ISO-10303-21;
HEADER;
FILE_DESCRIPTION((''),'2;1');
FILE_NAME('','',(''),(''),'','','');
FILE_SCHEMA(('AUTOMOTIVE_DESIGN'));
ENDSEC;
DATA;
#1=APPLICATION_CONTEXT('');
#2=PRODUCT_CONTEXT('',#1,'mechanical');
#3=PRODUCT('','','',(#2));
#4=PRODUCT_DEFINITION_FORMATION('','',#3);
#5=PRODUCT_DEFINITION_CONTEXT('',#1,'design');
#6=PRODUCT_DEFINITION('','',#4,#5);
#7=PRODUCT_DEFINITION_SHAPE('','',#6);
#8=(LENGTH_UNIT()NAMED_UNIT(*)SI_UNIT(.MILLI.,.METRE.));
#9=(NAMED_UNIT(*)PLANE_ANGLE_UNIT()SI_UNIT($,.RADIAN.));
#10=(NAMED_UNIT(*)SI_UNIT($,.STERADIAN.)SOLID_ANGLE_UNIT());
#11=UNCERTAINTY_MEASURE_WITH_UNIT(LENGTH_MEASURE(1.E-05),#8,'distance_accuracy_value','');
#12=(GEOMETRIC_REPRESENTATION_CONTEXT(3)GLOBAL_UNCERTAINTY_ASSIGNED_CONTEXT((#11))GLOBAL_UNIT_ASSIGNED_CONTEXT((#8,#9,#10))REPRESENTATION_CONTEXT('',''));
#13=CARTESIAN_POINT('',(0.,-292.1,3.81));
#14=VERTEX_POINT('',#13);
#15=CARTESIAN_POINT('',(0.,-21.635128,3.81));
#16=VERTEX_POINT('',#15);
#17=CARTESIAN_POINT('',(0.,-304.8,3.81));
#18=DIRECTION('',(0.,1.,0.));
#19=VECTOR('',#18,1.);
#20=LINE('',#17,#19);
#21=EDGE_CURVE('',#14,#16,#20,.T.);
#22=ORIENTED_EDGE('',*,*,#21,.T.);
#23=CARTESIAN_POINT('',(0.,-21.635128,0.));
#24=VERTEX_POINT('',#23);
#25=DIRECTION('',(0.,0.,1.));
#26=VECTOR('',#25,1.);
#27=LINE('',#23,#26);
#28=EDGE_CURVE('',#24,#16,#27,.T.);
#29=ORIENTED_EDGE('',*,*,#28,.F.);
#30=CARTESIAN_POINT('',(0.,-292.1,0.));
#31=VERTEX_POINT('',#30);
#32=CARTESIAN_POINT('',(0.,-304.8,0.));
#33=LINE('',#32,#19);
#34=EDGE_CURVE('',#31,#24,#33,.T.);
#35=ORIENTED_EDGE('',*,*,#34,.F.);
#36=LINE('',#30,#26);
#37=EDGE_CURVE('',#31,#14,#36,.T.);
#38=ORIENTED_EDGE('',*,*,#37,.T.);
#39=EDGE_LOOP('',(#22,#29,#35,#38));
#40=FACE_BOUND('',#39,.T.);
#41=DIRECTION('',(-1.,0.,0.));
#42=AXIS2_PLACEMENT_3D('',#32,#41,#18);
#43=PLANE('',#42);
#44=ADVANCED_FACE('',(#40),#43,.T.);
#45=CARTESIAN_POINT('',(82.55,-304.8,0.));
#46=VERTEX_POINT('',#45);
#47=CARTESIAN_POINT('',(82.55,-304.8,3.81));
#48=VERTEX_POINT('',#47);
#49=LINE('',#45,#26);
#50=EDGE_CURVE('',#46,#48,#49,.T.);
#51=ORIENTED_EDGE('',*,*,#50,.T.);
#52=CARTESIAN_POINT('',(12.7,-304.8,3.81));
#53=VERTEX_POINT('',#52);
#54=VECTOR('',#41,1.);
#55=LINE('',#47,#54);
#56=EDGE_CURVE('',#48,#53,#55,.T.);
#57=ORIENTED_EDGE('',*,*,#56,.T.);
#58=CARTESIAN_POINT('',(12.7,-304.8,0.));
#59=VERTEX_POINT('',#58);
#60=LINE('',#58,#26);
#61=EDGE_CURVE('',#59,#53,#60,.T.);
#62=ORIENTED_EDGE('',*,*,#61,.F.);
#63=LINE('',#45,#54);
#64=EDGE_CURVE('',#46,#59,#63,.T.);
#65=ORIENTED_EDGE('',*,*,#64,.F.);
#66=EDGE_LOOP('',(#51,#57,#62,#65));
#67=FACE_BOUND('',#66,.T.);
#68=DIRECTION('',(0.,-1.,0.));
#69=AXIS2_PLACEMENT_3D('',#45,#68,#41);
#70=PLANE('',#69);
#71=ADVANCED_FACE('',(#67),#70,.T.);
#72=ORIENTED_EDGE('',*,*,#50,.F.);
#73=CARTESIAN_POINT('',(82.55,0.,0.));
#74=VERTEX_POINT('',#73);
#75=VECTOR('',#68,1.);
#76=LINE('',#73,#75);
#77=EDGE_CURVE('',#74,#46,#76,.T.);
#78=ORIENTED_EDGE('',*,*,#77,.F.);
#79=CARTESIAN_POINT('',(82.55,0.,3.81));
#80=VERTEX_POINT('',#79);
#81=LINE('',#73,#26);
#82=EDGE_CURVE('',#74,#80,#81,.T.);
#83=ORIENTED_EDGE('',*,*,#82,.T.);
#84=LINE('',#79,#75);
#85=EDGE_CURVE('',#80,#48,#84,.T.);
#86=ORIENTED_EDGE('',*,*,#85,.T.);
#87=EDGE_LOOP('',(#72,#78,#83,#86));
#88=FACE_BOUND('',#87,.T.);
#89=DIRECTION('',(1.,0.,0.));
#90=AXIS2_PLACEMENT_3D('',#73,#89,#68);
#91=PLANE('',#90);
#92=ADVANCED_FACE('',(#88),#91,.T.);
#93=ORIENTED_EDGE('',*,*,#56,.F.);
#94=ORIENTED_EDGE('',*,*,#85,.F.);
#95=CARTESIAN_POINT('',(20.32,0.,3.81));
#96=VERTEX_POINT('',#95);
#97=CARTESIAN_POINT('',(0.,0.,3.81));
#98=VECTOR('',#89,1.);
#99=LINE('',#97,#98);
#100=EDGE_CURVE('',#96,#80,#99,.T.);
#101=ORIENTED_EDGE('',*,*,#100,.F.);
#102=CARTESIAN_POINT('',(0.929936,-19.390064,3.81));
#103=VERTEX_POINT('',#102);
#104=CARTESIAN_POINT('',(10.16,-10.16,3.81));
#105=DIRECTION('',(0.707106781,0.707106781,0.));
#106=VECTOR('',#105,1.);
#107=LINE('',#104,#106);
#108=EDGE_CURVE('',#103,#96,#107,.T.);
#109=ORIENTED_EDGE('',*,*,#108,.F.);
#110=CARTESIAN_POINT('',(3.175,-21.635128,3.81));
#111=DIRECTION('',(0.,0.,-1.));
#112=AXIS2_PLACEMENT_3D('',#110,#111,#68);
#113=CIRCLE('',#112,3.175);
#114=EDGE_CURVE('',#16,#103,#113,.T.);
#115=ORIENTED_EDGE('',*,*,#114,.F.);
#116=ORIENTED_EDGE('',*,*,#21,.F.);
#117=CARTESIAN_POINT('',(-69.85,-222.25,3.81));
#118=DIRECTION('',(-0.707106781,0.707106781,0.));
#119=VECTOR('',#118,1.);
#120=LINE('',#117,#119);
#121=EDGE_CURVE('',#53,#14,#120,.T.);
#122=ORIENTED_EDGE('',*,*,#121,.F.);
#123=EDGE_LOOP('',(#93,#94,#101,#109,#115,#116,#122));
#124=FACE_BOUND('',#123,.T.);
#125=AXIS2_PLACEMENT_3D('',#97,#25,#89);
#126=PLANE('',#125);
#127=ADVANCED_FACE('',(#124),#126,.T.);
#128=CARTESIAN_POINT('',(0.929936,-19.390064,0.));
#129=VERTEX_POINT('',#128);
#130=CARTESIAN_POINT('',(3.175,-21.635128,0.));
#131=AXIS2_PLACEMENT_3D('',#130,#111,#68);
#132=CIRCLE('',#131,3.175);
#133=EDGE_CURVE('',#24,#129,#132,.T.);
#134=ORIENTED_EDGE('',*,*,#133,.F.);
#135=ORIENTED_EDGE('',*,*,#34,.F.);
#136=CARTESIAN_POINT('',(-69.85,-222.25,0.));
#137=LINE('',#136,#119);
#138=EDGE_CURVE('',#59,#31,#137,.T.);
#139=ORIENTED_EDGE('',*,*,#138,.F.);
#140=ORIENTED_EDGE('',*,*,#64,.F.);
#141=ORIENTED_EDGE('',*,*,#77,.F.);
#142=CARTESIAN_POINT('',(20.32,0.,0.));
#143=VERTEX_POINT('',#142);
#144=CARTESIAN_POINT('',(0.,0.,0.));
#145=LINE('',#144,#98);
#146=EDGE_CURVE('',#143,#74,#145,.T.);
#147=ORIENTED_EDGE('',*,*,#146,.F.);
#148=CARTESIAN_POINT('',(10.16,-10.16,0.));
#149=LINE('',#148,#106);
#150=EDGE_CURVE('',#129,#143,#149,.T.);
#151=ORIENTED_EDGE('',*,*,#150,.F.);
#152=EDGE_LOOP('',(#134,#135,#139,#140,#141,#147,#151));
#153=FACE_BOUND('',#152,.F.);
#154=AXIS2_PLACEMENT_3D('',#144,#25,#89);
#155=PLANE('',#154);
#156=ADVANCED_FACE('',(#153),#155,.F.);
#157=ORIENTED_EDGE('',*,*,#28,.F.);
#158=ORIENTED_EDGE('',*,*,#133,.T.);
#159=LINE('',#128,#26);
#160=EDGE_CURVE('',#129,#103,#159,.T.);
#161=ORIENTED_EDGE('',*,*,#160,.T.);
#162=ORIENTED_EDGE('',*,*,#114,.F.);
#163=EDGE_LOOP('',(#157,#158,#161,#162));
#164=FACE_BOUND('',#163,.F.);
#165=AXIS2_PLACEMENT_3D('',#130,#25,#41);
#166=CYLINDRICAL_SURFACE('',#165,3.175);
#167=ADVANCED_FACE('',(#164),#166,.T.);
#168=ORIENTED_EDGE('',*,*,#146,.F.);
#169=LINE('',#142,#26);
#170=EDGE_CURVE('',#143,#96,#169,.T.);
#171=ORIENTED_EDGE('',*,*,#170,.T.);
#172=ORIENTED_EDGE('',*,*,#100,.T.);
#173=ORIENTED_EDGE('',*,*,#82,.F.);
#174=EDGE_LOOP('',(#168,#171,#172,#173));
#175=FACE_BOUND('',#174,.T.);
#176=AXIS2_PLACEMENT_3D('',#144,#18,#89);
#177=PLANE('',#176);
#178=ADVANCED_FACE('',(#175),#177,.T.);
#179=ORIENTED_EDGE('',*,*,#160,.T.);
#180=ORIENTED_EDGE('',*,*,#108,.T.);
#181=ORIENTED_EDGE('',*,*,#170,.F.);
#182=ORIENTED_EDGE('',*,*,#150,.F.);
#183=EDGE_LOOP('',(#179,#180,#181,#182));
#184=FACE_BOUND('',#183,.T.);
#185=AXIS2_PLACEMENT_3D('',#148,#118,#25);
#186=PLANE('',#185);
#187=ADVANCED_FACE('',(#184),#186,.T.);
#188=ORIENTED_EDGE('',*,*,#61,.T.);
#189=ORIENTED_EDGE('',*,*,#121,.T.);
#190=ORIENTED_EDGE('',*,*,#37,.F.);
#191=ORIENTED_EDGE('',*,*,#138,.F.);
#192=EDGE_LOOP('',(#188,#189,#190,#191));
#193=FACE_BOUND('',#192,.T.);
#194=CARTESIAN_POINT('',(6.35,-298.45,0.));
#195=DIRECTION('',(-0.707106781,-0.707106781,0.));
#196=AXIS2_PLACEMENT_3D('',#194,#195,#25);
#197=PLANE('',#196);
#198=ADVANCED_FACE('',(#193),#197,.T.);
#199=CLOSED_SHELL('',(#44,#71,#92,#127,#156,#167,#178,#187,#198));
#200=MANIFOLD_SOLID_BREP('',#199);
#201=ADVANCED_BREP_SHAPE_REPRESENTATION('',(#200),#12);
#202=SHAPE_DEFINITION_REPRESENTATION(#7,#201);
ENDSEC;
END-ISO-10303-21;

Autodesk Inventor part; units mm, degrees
ref_plane "YZ Plane" through (0, 0, 0) normal (1, 0, 0) x (0, 1, 0)
ref_plane "XZ Plane" through (0, 0, 0) normal (0, 1, 0) x (-1, 0, 0)
ref_plane "XY Plane" through (0, 0, 0) normal (0, 0, 1) x (1, 0, 0)
sketch "Sketch1" plane through (0, 0, 0) normal (0, 0, 1) x (1, 0, 0)
  line L0 (0, 0) -> (82.55, 0)
  line L1 (82.55, 0) -> (82.55, -304.8)
  line L2 (82.55, -304.8) -> (0, -304.8)
  line L3 (0, -304.8) -> (0, 0)
  dimension "d0" = 82.55
  dimension "d1" = 304.8
extrude "Extrusion1" add sketch "Sketch1" along normal blind 3.81
chamfer "Chamfer1" distance 12.7 angle 45 1 edges at (0, -304.8, 1.905)
chamfer "Chamfer2" distance 20.32 angle 45 1 edges at (0, 0, 1.905)
fillet "Fillet1" radius 3.175 1 edges at (0, -20.32, 1.905)
properties part number "Backstopright"
